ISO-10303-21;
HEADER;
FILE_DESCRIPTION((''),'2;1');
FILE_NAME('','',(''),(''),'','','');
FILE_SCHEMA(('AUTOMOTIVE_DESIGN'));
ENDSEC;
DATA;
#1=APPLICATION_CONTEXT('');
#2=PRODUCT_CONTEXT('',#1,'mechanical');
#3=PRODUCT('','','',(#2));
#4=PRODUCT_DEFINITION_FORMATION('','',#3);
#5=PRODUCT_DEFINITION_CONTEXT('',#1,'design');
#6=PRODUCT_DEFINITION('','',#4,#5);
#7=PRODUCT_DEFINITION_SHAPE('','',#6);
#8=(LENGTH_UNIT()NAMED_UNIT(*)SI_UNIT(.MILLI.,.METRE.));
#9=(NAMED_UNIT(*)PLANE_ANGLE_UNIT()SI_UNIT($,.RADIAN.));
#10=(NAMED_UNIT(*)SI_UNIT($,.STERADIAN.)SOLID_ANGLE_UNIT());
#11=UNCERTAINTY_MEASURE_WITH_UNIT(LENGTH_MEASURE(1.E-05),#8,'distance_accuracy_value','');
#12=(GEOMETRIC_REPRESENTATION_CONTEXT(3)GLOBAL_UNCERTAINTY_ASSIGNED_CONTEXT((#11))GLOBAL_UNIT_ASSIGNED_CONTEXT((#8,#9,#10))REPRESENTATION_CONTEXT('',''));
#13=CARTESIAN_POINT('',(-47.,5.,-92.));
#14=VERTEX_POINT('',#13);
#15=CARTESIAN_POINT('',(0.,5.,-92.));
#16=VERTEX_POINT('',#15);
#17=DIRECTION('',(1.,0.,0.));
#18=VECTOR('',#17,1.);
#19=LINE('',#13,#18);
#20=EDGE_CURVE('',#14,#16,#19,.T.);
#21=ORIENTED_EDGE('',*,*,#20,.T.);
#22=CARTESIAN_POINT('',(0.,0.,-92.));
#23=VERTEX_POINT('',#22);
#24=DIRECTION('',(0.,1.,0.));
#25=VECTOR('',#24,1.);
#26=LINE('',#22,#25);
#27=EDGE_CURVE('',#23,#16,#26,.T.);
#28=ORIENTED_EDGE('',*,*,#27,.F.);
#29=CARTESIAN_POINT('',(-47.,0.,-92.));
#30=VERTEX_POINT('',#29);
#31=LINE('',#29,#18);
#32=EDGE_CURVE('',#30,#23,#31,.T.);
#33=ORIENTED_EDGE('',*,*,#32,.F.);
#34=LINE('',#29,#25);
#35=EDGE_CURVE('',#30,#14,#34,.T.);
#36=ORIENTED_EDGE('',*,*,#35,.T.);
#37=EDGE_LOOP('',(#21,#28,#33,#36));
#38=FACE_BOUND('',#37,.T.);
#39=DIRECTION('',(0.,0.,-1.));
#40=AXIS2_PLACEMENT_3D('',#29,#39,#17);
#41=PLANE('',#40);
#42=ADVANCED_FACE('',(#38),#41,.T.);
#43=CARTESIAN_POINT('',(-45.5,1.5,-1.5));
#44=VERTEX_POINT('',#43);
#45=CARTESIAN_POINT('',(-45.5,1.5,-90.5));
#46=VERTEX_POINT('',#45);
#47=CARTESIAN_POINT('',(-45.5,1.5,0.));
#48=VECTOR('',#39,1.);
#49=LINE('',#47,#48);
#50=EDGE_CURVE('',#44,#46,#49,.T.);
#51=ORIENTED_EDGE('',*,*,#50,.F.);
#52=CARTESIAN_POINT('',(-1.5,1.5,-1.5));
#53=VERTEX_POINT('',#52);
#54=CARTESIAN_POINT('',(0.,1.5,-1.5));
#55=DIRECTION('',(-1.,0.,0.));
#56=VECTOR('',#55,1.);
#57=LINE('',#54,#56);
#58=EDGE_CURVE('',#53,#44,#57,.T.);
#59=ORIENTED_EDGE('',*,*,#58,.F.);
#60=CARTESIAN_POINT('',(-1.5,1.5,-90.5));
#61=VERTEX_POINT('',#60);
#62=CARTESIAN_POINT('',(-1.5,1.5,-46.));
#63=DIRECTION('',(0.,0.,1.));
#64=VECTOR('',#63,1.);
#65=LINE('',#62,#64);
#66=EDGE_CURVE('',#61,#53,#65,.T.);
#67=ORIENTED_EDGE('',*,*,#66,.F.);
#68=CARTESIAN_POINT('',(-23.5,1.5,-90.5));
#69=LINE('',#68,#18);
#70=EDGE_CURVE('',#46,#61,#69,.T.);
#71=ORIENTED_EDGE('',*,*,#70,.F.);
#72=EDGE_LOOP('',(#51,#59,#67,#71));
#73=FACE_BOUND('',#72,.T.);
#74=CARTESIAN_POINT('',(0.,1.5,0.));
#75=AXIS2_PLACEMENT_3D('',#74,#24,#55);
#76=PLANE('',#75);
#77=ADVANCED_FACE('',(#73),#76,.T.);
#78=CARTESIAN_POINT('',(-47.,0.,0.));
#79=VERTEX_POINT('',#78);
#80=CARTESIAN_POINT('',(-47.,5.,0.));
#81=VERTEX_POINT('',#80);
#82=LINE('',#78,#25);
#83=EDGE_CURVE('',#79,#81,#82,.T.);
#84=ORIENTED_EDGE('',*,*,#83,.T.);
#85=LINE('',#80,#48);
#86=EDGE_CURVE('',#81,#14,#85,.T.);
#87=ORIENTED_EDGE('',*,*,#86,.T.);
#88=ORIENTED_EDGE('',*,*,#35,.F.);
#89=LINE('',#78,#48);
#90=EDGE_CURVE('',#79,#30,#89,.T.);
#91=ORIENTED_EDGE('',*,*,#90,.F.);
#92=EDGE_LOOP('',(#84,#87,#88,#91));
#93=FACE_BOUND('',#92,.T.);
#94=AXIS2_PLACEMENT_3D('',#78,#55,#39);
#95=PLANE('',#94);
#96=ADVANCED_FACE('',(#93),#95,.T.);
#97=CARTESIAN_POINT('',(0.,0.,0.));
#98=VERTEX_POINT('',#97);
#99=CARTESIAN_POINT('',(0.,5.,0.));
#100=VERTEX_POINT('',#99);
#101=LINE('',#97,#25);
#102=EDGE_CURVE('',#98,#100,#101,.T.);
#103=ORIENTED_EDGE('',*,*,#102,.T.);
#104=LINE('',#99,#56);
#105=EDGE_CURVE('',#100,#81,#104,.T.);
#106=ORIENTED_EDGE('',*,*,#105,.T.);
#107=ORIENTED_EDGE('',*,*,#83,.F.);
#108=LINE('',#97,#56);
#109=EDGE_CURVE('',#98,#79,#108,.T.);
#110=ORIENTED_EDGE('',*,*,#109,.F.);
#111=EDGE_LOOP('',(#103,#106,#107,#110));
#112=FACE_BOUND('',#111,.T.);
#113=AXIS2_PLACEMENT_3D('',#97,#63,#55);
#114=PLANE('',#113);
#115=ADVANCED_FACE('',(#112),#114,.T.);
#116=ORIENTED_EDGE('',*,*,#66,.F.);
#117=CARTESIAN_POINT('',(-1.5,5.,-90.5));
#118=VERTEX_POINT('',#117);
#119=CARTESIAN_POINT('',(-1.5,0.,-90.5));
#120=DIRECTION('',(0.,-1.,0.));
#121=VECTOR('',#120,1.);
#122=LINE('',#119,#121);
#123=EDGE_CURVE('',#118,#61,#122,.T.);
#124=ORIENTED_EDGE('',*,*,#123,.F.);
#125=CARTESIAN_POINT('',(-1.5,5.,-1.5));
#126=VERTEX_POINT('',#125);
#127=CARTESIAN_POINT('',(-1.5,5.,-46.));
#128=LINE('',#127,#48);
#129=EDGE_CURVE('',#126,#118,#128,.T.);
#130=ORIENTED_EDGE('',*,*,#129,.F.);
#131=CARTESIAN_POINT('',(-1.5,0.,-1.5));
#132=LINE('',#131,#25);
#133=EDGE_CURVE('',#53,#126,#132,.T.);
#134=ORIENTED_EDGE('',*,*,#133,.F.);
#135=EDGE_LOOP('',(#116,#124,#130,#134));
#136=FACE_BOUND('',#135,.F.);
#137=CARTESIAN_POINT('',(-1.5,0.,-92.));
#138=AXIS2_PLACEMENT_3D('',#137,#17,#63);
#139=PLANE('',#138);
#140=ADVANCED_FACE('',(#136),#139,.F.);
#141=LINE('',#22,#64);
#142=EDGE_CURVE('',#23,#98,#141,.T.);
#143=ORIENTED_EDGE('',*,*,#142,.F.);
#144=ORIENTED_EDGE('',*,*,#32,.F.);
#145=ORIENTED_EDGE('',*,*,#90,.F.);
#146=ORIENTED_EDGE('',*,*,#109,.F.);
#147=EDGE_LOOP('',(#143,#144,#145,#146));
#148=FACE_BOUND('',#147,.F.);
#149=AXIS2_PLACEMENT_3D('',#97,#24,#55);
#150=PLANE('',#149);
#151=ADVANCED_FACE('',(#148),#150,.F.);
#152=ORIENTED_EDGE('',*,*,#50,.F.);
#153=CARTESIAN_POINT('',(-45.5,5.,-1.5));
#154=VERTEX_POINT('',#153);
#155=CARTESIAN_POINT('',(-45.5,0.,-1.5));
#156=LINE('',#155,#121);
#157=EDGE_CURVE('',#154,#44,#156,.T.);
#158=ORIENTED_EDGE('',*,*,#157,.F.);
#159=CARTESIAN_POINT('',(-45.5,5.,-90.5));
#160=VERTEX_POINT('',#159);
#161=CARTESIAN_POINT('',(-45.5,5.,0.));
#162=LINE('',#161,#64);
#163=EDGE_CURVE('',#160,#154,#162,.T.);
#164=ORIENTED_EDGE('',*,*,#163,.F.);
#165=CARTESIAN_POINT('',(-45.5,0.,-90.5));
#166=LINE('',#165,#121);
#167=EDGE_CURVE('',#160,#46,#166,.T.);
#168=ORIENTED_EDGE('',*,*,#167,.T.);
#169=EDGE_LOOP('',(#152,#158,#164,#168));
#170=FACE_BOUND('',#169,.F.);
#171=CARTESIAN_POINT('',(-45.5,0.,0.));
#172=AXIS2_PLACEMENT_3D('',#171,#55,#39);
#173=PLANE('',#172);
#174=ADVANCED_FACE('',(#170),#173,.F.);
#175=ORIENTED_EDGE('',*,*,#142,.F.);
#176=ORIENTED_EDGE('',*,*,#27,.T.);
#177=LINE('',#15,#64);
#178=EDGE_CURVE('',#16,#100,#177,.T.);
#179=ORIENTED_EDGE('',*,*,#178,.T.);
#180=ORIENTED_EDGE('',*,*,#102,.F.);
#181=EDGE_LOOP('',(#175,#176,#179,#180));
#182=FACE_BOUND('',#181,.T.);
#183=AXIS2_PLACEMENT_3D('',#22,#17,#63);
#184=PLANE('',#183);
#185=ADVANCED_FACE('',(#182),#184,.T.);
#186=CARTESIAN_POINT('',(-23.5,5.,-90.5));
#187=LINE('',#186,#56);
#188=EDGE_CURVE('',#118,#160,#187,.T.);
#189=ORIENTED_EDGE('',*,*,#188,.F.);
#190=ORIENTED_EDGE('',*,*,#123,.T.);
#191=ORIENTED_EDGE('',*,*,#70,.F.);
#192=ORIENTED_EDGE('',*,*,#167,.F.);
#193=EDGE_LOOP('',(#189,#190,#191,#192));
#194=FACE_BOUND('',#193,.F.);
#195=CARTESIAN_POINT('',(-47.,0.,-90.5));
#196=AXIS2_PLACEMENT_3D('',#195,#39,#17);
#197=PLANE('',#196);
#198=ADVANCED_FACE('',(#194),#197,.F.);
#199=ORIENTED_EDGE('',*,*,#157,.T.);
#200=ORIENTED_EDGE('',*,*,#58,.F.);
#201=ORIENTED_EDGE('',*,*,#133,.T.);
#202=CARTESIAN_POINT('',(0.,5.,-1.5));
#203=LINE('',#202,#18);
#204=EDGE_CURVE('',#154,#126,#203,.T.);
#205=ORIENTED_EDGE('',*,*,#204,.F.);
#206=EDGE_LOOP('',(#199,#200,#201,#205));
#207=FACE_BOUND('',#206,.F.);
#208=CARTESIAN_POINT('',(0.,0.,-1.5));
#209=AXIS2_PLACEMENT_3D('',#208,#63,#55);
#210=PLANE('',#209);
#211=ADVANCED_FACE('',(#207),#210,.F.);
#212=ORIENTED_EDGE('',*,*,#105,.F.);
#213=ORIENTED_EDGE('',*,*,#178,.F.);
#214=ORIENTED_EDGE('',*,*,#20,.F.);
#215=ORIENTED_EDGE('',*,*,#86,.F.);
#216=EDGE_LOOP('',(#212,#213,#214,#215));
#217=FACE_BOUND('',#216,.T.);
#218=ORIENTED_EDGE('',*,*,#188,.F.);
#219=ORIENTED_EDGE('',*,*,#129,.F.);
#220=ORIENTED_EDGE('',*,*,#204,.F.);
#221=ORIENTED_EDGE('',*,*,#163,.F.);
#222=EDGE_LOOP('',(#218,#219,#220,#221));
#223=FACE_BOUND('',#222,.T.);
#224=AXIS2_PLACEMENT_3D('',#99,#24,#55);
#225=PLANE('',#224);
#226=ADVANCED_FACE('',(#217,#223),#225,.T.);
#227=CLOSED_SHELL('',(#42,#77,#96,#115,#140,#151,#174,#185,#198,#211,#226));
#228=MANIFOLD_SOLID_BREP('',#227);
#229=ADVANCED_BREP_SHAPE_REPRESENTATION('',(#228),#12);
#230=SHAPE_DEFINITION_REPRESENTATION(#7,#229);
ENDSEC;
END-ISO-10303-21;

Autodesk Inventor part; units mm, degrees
ref_plane "YZ Plane" through (0, 0, 0) normal (1, 0, 0) x (0, 1, 0)
ref_plane "XZ Plane" through (0, 0, 0) normal (0, 1, 0) x (-1, 0, 0)
ref_plane "XY Plane" through (0, 0, 0) normal (0, 0, 1) x (1, 0, 0)
sketch "Sketch1" plane through (0, 0, 0) normal (0, 1, 0) x (-1, 0, 0)
  line L0 (0, 0) -> (47, 0)
  line L1 (47, 0) -> (47, -92)
  line L2 (47, -92) -> (0, -92)
  line L3 (0, -92) -> (0, 0)
  dimension "d0" = 47
  dimension "d1" = 92
extrude "Extrusion1" add sketch "Sketch1" along normal blind 5
shell "Shell1" thickness 1.5 removed faces 1 at (-15.6667, 5, -30.6667)
properties part number "Scannerboxtop"
